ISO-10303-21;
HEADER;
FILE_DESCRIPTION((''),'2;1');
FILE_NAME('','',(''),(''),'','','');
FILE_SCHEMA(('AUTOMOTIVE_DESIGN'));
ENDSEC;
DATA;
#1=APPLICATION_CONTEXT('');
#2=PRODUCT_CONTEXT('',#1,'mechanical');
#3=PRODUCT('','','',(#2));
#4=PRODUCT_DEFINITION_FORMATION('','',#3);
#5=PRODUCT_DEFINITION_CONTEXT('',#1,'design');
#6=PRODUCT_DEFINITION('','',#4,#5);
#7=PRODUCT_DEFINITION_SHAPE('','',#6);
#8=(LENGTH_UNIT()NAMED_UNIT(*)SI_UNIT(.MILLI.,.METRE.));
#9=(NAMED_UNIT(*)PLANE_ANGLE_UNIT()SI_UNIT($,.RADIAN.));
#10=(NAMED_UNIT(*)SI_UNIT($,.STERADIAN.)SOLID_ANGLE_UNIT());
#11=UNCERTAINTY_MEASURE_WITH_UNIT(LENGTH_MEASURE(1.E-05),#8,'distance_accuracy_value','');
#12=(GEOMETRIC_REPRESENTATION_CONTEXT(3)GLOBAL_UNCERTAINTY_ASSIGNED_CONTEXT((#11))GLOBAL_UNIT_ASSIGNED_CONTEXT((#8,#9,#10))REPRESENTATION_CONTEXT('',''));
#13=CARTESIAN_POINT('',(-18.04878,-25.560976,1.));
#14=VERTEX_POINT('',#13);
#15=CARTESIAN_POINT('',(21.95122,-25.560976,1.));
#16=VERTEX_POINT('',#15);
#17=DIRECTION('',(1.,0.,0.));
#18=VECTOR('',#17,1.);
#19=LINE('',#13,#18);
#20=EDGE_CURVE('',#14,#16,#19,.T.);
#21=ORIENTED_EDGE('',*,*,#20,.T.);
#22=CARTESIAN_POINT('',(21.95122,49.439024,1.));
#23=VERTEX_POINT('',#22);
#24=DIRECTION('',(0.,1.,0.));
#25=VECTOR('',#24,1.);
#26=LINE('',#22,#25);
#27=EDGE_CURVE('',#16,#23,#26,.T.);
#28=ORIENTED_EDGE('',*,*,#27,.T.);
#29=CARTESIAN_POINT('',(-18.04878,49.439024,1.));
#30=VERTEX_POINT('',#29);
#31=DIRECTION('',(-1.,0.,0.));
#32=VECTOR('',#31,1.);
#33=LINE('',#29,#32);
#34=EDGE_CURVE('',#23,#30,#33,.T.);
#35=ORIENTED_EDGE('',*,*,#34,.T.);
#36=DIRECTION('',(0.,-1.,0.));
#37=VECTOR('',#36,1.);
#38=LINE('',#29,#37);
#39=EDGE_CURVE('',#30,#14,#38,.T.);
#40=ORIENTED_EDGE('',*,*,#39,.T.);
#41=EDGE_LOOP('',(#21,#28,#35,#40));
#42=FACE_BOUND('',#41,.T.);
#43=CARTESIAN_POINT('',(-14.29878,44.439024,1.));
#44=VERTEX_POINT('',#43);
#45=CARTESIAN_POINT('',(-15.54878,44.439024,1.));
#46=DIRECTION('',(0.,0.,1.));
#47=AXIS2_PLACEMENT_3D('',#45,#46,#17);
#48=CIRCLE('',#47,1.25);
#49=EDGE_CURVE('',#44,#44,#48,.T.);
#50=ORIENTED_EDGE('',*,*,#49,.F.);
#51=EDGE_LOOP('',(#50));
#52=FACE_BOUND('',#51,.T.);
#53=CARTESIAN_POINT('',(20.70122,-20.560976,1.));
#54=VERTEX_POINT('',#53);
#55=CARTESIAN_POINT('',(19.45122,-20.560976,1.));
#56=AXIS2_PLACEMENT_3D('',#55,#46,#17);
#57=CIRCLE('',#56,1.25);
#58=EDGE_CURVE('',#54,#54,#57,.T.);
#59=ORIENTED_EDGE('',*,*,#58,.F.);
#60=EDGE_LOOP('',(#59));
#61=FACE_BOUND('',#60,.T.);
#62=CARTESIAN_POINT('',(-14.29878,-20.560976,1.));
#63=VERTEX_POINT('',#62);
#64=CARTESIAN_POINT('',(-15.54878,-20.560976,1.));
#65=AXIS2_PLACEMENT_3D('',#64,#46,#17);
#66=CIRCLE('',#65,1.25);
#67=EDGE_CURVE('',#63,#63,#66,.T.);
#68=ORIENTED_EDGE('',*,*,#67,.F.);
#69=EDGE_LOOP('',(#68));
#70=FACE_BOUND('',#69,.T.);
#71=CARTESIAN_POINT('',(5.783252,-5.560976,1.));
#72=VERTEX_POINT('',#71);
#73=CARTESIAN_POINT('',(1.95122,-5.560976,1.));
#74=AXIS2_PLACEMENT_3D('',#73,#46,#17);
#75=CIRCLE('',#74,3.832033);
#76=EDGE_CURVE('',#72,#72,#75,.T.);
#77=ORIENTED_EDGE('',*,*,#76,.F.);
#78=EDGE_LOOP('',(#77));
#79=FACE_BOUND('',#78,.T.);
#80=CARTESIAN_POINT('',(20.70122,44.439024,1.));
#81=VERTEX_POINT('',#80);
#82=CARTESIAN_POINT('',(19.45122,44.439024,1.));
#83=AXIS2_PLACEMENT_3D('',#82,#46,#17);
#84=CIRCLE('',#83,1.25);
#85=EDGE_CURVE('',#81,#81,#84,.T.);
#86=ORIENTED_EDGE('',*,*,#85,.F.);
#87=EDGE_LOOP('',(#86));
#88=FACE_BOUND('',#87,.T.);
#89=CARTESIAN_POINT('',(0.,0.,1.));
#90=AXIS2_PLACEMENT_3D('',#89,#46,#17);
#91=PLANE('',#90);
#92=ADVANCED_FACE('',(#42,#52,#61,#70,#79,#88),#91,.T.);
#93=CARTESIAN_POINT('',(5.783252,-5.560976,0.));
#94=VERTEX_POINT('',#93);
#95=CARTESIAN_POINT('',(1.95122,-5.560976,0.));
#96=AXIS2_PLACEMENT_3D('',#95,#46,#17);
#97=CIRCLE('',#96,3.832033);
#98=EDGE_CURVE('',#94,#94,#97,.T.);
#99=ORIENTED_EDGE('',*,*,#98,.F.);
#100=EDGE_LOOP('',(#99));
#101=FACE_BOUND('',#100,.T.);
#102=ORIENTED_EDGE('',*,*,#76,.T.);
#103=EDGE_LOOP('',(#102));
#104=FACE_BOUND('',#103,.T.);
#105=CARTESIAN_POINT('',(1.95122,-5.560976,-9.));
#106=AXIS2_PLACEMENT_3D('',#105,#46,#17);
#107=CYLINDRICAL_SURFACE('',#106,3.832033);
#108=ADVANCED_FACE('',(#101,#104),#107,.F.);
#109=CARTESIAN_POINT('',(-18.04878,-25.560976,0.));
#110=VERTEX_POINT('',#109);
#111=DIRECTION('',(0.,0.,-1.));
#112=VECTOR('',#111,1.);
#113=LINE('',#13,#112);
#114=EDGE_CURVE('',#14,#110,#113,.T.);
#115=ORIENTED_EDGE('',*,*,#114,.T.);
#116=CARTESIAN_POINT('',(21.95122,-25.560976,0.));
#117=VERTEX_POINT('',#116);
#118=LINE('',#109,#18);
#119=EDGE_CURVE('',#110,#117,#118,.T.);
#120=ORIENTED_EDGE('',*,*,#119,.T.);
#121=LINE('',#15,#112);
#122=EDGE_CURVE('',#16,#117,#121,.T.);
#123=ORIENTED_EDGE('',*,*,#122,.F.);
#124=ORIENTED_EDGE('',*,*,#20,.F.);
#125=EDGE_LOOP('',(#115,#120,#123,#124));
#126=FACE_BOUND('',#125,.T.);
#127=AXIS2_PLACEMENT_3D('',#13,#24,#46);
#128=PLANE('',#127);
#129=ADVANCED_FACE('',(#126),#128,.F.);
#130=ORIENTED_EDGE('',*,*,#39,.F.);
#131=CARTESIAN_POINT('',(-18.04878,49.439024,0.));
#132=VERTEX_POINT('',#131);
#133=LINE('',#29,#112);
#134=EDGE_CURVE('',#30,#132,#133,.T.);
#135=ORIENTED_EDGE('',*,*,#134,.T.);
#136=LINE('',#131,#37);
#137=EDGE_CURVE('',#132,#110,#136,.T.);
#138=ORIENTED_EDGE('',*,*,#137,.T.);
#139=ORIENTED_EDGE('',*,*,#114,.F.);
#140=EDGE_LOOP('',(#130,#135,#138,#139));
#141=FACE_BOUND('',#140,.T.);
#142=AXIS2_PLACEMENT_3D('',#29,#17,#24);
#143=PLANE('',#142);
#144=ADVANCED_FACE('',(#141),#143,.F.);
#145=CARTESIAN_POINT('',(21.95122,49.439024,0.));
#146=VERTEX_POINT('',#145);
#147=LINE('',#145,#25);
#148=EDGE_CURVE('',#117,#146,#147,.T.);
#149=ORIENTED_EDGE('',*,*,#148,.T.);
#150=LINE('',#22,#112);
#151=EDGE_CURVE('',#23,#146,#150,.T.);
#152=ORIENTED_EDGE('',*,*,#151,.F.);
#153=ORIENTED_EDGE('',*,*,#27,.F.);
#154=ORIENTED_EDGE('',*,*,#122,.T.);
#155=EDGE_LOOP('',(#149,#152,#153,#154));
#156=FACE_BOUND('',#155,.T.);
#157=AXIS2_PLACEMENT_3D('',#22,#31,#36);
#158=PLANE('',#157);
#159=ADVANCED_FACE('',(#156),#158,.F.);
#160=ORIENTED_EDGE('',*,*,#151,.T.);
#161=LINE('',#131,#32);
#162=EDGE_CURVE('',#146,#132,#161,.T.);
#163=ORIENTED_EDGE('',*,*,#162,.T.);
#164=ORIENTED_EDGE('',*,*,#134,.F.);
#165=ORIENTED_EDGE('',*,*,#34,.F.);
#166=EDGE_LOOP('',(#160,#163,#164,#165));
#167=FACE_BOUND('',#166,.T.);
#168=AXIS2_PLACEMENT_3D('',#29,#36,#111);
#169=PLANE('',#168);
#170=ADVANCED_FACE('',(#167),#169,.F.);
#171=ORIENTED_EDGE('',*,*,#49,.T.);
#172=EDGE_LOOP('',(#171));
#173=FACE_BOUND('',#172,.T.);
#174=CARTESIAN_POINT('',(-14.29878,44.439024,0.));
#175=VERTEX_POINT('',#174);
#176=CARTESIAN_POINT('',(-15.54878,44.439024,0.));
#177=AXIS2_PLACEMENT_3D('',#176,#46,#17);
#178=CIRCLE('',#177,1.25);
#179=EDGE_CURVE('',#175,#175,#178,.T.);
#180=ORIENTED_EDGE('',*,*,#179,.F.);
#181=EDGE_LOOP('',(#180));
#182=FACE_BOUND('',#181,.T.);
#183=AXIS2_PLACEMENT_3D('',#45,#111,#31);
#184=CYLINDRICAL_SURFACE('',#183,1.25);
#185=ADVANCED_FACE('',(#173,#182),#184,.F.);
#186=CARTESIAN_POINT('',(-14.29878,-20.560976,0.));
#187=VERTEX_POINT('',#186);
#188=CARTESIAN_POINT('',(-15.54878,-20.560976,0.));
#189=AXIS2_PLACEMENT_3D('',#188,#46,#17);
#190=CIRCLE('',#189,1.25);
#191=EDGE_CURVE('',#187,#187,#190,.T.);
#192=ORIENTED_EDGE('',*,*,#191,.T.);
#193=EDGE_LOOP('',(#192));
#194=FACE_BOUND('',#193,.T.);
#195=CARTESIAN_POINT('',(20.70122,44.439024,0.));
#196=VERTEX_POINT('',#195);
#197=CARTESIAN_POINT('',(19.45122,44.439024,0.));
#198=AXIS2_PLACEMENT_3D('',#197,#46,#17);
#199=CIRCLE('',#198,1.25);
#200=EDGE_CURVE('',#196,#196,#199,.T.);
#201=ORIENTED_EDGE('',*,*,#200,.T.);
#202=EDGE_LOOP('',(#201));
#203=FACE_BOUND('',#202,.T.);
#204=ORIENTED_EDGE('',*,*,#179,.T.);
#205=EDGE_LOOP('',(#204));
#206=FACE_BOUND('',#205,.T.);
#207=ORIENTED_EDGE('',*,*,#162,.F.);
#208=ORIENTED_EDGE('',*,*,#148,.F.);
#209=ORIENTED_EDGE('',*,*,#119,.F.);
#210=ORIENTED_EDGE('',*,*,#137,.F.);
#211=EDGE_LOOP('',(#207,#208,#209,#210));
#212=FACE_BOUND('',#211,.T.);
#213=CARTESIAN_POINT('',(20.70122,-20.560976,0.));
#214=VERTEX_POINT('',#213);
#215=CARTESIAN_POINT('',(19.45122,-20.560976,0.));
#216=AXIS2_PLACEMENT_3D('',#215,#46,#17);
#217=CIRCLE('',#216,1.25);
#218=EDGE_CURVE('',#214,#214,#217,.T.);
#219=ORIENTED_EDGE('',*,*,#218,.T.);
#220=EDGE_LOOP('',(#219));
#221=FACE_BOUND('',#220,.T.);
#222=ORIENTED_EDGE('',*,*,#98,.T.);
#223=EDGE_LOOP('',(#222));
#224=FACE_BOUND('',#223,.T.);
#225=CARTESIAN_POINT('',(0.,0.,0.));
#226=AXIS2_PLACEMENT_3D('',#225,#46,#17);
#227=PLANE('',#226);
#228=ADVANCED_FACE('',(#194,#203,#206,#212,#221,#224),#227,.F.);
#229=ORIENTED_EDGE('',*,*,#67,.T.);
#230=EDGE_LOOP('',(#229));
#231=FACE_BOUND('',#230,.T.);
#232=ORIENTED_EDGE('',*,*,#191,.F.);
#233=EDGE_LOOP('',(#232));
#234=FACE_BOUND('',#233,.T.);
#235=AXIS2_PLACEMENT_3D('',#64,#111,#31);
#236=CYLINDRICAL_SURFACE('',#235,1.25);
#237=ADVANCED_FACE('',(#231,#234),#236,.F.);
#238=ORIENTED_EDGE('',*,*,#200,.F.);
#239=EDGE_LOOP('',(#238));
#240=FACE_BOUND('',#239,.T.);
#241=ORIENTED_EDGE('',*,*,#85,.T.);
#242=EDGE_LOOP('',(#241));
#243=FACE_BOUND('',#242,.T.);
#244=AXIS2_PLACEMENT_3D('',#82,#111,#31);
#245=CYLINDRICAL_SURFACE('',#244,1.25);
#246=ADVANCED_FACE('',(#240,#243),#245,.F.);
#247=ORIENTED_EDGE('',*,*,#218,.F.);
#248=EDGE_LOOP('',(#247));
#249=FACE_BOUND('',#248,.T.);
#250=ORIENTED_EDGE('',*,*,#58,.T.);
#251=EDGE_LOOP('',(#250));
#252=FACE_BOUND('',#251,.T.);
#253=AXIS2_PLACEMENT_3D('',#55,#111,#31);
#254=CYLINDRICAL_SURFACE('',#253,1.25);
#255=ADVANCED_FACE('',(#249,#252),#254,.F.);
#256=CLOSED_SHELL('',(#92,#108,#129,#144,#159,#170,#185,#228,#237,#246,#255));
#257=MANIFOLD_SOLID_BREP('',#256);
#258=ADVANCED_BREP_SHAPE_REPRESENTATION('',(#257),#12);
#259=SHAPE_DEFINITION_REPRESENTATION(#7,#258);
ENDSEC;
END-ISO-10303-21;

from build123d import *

# Parameters (mm, degrees)
SKETCH1_W           = 40
SKETCH1_H           = 75
SKETCH1_R           = 1.25
BOSS_EXTRUDE1_DEPTH = 1
SKETCH2_R           = 3.832032551
CUT_EXTRUDE1_DEPTH  = 10


with BuildPart() as part:
    # Sketch1 → Boss-Extrude1 (new body)
    with BuildSketch(Plane.XY):
        with Locations((1.951219512, 11.93902439)):
            Rectangle(SKETCH1_W, SKETCH1_H)
        with Locations((-15.548780488, 44.43902439)):
            Circle(SKETCH1_R, mode=Mode.SUBTRACT)
        with Locations((19.451219512, 44.43902439)):
            Circle(SKETCH1_R, mode=Mode.SUBTRACT)
        with Locations((19.451219512, -20.56097561)):
            Circle(SKETCH1_R, mode=Mode.SUBTRACT)
        with Locations((-15.548780488, -20.56097561)):
            Circle(SKETCH1_R, mode=Mode.SUBTRACT)
    extrude(amount=BOSS_EXTRUDE1_DEPTH)

    # Sketch2 → Cut-Extrude1 (cut)
    with BuildSketch(Plane.XY.offset(1)):
        with Locations((1.951219512, -5.56097561)):
            Circle(SKETCH2_R)
    extrude(amount=-CUT_EXTRUDE1_DEPTH, mode=Mode.SUBTRACT)


solid = part.part
